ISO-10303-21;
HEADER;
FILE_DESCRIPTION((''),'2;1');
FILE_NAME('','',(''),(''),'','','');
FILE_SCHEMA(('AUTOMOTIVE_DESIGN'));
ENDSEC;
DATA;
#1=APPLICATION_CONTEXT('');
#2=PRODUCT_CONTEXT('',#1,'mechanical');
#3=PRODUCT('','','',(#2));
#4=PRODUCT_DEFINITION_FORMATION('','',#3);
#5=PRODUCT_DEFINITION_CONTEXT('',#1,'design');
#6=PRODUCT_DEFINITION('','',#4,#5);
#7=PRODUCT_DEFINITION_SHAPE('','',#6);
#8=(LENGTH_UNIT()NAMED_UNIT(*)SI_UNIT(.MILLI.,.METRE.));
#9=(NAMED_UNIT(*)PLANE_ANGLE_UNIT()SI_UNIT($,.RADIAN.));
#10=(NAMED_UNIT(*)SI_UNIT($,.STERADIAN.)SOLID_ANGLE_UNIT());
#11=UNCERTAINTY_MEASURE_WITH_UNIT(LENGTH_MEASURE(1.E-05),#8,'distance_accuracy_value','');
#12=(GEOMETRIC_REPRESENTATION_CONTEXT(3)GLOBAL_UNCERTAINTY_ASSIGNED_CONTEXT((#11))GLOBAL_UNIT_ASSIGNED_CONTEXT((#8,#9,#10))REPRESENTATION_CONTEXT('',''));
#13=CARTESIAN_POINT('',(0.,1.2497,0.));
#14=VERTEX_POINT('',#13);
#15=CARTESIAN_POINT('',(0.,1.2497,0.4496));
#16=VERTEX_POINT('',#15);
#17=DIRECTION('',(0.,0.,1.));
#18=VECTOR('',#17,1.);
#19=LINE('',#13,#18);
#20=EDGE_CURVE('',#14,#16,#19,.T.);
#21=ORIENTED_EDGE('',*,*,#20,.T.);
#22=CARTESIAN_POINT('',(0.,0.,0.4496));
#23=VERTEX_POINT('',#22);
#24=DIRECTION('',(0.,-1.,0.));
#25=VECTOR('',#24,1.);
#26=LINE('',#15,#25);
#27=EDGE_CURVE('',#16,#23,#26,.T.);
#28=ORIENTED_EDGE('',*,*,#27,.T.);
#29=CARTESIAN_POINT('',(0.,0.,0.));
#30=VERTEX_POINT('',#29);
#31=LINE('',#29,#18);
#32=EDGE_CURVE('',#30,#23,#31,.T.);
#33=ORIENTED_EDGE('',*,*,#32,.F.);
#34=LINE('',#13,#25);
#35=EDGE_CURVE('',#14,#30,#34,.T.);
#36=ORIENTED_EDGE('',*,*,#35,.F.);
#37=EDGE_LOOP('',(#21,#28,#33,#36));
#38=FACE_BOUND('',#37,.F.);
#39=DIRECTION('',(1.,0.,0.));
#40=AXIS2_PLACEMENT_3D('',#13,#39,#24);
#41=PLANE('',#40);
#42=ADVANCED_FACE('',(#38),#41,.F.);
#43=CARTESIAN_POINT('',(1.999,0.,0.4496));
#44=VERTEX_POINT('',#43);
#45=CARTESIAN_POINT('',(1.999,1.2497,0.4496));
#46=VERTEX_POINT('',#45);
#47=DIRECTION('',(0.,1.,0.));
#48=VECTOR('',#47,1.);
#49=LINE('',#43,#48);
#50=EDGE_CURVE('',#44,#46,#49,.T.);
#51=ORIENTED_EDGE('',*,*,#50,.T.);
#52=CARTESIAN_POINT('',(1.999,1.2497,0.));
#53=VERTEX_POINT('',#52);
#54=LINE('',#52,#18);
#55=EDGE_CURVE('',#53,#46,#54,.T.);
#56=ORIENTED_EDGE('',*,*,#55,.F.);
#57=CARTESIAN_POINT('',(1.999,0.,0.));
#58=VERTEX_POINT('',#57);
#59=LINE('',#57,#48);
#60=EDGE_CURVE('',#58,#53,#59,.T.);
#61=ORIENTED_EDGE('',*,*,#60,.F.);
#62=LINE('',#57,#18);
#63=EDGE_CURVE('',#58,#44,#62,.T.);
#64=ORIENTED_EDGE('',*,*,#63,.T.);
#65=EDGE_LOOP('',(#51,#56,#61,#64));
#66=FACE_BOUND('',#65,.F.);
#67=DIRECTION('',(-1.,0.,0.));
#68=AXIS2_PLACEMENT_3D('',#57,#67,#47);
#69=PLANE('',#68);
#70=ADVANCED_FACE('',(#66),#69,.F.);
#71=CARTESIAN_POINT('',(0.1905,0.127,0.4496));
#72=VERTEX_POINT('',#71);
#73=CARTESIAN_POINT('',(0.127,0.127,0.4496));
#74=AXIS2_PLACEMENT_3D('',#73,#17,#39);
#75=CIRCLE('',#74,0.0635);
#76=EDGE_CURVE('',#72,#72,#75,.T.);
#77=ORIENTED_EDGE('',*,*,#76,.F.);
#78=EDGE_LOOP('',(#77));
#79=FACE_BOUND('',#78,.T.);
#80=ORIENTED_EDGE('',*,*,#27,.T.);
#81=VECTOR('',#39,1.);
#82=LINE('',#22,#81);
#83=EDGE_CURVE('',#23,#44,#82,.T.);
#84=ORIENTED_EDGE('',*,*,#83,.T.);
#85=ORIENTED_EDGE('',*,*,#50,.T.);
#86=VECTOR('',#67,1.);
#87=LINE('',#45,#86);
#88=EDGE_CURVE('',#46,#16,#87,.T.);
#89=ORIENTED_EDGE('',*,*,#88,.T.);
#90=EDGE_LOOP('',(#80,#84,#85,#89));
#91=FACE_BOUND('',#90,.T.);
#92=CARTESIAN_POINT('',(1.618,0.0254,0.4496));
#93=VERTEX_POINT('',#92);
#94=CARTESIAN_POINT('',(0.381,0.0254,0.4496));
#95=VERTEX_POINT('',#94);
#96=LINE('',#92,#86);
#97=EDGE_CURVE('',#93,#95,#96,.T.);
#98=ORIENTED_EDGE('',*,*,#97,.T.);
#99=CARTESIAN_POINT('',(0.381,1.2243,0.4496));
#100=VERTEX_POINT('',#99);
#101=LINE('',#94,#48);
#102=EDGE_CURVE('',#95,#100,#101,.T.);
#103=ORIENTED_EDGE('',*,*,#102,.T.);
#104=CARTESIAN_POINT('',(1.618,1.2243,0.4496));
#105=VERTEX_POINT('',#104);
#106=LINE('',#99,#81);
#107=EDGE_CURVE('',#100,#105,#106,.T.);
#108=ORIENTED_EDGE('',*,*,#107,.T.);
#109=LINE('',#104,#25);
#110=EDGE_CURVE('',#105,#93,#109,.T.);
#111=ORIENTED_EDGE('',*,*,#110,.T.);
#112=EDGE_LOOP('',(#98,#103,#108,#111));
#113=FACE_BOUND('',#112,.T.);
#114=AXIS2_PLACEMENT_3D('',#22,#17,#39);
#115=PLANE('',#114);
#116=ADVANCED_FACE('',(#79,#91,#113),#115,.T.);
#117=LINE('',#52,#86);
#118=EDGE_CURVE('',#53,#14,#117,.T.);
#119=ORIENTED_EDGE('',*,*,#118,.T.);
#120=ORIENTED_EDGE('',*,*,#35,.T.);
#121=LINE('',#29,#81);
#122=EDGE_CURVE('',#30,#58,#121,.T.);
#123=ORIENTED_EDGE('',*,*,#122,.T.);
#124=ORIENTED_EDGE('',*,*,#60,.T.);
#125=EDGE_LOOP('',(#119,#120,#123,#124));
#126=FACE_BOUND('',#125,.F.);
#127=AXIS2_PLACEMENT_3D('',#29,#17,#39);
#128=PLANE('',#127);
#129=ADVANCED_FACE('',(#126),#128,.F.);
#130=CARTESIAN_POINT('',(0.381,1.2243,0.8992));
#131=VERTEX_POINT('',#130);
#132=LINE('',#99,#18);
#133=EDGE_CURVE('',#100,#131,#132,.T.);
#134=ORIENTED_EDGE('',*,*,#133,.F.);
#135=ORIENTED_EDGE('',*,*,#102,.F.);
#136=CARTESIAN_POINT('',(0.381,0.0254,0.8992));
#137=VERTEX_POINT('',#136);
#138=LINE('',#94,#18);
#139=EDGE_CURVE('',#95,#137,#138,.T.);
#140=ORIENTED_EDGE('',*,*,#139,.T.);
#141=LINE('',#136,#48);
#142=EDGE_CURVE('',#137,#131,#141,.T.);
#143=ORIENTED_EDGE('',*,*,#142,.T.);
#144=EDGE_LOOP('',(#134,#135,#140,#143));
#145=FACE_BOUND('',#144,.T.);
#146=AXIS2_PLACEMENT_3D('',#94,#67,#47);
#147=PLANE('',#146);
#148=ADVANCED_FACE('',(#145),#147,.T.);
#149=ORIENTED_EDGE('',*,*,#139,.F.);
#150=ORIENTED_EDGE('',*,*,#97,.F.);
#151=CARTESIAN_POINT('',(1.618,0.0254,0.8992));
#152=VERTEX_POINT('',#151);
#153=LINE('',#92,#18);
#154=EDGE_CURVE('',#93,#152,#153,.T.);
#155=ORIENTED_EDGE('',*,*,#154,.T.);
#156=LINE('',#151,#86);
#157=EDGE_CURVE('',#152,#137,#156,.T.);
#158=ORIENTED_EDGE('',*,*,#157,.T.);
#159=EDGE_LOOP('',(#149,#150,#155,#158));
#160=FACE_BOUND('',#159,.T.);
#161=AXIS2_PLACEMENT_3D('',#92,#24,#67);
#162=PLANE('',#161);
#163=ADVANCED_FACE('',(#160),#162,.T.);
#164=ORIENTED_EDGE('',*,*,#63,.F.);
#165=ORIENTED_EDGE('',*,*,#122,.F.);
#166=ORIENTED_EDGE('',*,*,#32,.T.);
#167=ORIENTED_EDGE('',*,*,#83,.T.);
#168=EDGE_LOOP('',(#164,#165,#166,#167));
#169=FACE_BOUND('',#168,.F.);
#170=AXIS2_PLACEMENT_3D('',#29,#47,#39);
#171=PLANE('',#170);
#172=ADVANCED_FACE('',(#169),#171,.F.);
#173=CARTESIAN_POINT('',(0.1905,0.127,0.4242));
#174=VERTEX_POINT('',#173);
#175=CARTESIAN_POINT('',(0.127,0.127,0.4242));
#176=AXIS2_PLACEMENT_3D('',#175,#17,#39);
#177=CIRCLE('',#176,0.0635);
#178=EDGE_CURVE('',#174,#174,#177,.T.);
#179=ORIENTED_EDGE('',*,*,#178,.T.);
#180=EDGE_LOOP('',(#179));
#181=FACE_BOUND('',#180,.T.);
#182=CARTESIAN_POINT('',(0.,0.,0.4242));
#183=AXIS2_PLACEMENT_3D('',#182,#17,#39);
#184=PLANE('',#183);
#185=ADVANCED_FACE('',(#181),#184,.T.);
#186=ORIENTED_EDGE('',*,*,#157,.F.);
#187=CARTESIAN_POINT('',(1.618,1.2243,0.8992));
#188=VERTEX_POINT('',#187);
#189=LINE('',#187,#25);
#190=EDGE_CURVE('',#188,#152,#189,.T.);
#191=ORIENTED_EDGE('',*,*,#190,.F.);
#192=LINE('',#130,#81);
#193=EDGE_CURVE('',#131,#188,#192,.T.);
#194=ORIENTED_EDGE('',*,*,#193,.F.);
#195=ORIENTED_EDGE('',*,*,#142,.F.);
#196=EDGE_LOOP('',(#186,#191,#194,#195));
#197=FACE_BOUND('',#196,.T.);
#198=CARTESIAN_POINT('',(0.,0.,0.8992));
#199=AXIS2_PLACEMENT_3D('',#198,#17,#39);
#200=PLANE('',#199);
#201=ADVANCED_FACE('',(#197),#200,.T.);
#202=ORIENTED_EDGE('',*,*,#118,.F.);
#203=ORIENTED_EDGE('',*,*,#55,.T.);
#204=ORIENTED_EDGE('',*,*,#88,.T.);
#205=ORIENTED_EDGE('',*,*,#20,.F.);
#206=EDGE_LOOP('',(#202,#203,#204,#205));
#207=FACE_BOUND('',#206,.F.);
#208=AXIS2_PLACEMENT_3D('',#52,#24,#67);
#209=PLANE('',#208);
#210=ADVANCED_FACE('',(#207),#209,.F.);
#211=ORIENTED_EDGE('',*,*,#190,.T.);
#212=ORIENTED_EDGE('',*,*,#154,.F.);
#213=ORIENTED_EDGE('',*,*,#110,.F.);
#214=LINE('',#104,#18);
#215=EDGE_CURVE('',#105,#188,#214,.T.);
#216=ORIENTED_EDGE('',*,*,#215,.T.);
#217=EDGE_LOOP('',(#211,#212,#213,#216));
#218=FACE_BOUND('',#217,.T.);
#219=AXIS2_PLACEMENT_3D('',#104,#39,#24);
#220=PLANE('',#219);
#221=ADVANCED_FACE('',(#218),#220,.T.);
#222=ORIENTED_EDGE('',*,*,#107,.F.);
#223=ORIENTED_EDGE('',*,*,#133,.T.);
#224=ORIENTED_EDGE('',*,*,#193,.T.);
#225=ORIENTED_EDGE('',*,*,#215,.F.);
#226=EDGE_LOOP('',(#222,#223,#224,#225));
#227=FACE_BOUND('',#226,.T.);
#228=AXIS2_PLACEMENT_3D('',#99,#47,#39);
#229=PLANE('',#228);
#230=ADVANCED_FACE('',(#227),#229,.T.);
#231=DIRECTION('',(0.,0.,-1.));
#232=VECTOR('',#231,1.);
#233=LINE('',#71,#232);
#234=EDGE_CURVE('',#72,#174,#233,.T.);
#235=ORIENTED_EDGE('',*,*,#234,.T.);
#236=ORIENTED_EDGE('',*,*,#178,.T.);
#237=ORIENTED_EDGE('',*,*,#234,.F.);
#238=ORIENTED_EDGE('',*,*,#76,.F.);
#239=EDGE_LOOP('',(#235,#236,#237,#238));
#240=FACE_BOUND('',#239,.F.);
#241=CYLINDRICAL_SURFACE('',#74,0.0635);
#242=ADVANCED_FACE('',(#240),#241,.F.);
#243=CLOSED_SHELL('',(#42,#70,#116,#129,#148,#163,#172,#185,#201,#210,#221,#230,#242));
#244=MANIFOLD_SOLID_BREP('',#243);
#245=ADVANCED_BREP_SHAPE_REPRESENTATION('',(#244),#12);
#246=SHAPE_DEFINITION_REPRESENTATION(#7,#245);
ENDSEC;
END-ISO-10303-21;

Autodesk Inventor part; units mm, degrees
ref_plane "YZ Plane" through (0, 0, 0) normal (1, 0, 0) x (0, 1, 0)
ref_plane "XZ Plane" through (0, 0, 0) normal (0, 1, 0) x (-1, 0, 0)
ref_plane "XY Plane" through (0, 0, 0) normal (0, 0, 1) x (1, 0, 0)
sketch "Sketch1" plane through (0, 0, 0) normal (0, 0, 1) x (1, 0, 0)
  line L0 (0, 0) -> (1.999, 0)
  line L1 (1.999, 0) -> (1.999, 1.2497)
  line L2 (1.999, 1.2497) -> (0, 1.2497)
  line L3 (0, 1.2497) -> (0, 0)
  dimension "d0" = 1.999
  dimension "d1" = 1.2497
extrude "Extrusion1" add sketch "Sketch1" along normal blind 0.4496
sketch "Sketch2" plane through (0, 0, 0.4496) normal (0, 0, 1) x (1, 0, 0)
  line L0 (0.381, 1.2243) -> (1.618, 1.2243)
  line L1 (1.618, 1.2243) -> (1.618, 0.0254)
  line L2 (1.618, 0.0254) -> (0.381, 0.0254)
  line L3 (0.381, 0.0254) -> (0.381, 1.2243)
  line L4 (0, 1.2497) -> (0, 0) projected
  line L5 (1.999, 0) -> (1.999, 1.2497) projected
  line L6 (1.999, 1.2497) -> (0, 1.2497) projected
  line L7 (0, 0) -> (1.999, 0) projected
  dimension "d4" = 0.381
  dimension "d5" = 0.381
  dimension "d6" = 0.0254
  dimension "d7" = 0.0254
extrude "Extrusion2" add sketch "Sketch2" along normal blind 0.4496 contours L0 L1 L2 L3
sketch "Sketch3" plane through (0, 0, 0.4496) normal (0, 0, 1) x (1, 0, 0)
  circle A0 centre (0.127, 0.127) radius 0.0635
  line L0 (0, 0) -> (1.999, 0) projected
  line L1 (0, 1.2497) -> (0, 0) projected
  dimension "d10" = 0.127
  dimension "d11" = 0.127
  dimension "d12" = 0.127
extrude "Extrusion3" cut sketch "Sketch3" against normal blind 0.0254
properties part number "sSmall LED"
